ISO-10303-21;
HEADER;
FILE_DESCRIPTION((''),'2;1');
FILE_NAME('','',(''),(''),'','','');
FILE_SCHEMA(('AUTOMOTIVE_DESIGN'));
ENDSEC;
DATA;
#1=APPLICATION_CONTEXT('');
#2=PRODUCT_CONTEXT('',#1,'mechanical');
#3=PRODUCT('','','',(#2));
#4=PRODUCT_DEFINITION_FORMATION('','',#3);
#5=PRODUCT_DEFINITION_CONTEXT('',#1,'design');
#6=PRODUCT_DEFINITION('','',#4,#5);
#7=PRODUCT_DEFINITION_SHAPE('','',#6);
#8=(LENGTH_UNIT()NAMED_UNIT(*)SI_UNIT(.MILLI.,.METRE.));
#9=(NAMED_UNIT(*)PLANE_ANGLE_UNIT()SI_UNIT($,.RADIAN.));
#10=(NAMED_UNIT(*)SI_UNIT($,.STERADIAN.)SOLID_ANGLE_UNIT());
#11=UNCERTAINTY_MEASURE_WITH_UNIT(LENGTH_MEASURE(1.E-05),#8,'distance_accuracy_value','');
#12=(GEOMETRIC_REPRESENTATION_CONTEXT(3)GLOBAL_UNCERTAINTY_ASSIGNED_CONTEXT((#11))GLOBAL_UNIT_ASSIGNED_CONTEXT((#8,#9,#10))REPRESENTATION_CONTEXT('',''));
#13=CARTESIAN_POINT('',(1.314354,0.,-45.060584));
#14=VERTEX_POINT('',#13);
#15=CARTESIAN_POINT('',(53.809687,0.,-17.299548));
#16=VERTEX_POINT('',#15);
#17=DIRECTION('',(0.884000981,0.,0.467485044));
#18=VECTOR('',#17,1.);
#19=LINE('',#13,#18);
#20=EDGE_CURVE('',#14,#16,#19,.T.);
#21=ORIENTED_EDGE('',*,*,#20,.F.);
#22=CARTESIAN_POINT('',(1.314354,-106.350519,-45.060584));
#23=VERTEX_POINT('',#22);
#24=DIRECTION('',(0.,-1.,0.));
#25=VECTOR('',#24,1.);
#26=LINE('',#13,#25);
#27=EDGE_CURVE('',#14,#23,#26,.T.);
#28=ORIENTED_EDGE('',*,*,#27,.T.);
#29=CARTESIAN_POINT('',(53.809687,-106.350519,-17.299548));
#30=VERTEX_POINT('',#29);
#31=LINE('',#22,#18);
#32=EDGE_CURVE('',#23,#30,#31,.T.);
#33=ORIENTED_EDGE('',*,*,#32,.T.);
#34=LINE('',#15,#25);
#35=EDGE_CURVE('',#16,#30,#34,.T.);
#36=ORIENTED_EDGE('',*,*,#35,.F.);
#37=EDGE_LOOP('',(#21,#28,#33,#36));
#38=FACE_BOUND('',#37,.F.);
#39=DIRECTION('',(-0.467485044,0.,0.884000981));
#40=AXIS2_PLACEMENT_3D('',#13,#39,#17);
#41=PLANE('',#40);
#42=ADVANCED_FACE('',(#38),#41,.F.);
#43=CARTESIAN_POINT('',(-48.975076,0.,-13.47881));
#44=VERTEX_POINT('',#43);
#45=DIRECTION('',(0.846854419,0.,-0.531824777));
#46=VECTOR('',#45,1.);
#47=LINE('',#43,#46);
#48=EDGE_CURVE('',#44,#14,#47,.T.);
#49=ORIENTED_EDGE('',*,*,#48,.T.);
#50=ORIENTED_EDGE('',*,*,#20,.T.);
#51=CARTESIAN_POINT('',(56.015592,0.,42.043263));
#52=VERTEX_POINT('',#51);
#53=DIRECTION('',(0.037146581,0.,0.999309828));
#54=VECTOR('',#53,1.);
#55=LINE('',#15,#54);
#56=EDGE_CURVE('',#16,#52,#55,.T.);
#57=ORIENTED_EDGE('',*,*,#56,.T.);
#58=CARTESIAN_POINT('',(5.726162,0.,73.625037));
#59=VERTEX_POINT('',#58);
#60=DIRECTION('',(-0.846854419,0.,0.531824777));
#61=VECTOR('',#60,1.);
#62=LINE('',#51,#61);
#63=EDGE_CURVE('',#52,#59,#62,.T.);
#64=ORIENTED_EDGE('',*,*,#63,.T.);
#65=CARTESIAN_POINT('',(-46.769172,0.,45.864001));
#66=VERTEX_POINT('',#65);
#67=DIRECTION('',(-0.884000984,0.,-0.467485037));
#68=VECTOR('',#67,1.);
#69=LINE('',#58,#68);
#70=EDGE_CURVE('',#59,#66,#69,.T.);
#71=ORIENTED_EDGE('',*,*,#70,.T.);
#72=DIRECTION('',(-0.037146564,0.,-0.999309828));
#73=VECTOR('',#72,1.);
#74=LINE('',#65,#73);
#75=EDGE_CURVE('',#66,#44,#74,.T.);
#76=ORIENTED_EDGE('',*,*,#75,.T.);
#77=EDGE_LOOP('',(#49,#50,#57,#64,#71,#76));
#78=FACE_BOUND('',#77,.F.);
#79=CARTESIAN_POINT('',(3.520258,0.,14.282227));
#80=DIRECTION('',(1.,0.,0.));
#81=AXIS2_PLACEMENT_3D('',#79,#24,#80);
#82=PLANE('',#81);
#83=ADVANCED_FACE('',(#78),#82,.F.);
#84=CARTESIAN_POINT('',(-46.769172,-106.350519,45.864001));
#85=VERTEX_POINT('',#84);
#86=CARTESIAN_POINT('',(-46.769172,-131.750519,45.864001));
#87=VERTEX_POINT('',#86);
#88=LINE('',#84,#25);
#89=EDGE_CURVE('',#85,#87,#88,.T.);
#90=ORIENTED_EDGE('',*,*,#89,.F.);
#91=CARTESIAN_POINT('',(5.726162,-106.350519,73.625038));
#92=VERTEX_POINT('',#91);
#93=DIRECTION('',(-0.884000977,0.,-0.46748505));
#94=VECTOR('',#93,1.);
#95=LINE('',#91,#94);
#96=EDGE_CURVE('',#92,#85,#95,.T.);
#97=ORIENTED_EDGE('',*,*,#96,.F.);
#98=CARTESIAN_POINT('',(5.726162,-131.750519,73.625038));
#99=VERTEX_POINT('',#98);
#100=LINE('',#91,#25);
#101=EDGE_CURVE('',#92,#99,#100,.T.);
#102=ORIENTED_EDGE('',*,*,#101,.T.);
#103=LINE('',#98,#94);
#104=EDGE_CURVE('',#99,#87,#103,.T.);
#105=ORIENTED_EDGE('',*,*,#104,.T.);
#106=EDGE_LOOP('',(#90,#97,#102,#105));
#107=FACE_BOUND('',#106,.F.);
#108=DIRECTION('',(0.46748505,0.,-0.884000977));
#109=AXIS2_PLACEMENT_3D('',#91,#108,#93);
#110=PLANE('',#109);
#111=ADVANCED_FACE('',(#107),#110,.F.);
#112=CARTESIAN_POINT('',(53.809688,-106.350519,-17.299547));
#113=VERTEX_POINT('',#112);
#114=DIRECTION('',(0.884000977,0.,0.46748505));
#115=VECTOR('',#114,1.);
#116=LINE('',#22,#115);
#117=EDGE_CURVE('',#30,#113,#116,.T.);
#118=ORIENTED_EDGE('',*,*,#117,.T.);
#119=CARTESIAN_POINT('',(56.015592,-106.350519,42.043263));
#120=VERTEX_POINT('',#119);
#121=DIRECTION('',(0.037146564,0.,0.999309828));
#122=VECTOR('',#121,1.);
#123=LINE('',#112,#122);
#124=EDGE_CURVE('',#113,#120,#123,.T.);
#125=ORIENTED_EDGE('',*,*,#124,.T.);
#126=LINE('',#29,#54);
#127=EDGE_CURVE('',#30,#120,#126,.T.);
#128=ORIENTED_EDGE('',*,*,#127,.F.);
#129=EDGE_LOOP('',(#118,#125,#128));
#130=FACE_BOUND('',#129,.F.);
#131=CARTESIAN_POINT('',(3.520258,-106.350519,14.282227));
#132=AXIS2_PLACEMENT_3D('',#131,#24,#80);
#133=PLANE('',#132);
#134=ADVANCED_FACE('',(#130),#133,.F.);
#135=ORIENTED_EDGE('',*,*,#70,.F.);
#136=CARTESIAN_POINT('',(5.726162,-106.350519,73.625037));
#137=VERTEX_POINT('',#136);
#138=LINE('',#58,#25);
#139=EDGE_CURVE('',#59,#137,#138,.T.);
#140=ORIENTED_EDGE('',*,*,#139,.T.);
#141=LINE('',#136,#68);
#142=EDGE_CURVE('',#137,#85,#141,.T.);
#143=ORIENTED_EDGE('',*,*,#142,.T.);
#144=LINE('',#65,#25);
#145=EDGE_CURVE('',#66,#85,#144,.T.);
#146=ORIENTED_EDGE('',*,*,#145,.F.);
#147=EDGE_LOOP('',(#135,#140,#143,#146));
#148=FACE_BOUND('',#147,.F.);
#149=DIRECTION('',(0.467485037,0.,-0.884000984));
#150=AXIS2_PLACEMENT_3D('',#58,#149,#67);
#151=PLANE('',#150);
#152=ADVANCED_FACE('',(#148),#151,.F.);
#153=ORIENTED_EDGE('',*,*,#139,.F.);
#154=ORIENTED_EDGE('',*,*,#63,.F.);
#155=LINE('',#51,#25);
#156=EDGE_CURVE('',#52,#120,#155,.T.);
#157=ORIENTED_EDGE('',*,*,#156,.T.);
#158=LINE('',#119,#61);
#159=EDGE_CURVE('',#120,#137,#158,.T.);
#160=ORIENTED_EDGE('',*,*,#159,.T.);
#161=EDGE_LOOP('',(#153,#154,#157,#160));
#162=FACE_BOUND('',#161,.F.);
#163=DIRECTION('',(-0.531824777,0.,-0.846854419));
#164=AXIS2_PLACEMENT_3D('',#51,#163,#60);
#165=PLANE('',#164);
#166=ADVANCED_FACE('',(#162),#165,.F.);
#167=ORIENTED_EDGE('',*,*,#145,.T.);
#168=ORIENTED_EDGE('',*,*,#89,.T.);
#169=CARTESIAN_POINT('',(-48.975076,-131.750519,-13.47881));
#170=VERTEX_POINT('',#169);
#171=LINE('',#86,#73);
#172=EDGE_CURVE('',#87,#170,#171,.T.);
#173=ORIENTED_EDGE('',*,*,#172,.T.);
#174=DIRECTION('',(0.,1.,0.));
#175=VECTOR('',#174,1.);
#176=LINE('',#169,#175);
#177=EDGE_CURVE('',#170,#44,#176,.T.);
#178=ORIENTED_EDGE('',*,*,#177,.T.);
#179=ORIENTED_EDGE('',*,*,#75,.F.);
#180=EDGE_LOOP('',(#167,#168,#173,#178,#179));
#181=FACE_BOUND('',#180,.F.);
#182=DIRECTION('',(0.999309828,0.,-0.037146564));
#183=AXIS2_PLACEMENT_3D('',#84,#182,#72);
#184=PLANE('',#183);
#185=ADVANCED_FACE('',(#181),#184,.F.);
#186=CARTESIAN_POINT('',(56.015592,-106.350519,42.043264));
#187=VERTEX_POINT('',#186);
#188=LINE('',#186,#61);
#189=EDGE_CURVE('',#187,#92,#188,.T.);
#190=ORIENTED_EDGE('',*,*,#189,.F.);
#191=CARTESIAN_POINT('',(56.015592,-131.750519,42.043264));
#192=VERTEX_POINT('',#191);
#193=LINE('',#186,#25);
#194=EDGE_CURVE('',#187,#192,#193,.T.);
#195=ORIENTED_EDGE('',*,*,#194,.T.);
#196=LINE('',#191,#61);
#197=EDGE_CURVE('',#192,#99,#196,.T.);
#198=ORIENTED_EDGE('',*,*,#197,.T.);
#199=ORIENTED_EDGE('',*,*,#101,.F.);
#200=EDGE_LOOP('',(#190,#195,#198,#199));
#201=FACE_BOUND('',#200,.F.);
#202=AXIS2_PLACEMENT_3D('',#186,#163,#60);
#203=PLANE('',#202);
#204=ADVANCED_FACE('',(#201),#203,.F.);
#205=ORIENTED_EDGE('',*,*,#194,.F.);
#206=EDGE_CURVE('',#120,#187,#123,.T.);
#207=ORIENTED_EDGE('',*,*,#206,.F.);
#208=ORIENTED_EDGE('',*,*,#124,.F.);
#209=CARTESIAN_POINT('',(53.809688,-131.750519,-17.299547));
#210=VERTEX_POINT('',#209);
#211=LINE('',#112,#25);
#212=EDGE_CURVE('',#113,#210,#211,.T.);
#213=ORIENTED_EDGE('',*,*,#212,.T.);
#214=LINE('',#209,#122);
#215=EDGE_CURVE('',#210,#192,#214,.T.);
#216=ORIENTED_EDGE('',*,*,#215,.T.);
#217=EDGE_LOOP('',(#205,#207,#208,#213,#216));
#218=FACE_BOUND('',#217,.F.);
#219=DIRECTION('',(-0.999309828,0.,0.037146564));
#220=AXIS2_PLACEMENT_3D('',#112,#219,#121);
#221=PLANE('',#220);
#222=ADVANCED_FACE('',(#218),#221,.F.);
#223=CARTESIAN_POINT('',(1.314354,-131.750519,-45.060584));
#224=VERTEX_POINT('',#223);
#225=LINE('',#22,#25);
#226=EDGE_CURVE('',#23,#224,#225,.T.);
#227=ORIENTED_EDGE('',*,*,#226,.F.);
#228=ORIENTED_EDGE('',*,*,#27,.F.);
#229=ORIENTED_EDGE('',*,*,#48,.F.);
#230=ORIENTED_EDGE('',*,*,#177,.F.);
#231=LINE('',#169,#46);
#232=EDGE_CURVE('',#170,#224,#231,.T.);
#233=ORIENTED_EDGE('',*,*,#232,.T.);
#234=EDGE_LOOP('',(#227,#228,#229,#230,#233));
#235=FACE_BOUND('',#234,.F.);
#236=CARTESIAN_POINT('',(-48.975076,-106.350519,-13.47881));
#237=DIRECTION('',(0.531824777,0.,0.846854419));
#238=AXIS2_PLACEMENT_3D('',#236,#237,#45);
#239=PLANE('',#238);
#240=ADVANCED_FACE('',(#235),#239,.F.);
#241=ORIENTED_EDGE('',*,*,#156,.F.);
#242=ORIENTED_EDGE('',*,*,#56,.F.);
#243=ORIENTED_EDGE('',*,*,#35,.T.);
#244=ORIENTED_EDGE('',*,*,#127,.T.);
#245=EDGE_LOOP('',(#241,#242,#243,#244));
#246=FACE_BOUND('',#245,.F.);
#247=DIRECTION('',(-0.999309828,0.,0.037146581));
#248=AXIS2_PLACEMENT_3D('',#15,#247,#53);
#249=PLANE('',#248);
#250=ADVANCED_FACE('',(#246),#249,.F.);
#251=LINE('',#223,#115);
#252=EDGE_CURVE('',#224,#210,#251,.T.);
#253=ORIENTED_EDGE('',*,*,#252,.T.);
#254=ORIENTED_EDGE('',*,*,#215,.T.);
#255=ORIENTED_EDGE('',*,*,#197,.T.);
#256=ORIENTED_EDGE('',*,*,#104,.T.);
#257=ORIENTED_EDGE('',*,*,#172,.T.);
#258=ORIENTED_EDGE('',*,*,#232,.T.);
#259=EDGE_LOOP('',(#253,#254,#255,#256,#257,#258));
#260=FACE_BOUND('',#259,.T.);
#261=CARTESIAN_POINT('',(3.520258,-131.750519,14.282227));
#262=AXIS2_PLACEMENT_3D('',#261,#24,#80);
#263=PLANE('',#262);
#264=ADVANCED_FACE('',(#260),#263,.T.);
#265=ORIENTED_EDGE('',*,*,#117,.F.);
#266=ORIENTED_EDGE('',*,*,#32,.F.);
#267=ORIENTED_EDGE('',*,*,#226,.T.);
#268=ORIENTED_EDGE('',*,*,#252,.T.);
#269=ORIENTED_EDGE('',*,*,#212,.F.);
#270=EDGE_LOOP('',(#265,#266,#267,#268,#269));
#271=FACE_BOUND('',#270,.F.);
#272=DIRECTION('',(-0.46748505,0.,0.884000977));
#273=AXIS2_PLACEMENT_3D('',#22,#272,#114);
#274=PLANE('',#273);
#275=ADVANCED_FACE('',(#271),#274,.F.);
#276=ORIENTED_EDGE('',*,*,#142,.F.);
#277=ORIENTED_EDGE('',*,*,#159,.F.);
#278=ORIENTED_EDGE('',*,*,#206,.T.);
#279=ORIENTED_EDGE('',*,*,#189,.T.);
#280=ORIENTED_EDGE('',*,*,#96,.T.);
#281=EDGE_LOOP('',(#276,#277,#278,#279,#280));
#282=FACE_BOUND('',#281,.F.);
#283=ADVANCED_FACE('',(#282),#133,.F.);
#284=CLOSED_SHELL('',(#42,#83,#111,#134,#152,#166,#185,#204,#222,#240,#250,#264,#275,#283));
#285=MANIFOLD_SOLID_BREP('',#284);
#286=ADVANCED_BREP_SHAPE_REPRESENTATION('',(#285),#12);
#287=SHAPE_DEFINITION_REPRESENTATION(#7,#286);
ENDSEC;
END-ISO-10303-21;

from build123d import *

# Parameters (mm, degrees)
F1_DEPTH = 106.350519
F2_DEPTH = 25.4


with BuildPart() as f1:
    # F0 (on Front) → F1 (new body)
    with BuildSketch(Plane.XZ):
        Polygon((1.314354, -45.060584), (53.809687, -17.299548), (56.015592, 42.043263), (5.726162, 73.625037), (-46.769172, 45.864001), (-48.975076, -13.47881), align=None)
    extrude(amount=F1_DEPTH)

    # F1_face (on face) → F2 (join)
    with BuildSketch(Plane(origin=(3.520258, -106.350519, 14.282227), x_dir=(1, 0, 0), z_dir=(0, -1, 0))):
        Polygon((-52.495334, -27.761037), (-2.205904, -59.342811), (50.28943, -31.581774), (52.495334, 27.761037), (2.205904, 59.342811), (-50.28943, 31.581774), align=None)
    extrude(amount=F2_DEPTH)


solid = f1.part
